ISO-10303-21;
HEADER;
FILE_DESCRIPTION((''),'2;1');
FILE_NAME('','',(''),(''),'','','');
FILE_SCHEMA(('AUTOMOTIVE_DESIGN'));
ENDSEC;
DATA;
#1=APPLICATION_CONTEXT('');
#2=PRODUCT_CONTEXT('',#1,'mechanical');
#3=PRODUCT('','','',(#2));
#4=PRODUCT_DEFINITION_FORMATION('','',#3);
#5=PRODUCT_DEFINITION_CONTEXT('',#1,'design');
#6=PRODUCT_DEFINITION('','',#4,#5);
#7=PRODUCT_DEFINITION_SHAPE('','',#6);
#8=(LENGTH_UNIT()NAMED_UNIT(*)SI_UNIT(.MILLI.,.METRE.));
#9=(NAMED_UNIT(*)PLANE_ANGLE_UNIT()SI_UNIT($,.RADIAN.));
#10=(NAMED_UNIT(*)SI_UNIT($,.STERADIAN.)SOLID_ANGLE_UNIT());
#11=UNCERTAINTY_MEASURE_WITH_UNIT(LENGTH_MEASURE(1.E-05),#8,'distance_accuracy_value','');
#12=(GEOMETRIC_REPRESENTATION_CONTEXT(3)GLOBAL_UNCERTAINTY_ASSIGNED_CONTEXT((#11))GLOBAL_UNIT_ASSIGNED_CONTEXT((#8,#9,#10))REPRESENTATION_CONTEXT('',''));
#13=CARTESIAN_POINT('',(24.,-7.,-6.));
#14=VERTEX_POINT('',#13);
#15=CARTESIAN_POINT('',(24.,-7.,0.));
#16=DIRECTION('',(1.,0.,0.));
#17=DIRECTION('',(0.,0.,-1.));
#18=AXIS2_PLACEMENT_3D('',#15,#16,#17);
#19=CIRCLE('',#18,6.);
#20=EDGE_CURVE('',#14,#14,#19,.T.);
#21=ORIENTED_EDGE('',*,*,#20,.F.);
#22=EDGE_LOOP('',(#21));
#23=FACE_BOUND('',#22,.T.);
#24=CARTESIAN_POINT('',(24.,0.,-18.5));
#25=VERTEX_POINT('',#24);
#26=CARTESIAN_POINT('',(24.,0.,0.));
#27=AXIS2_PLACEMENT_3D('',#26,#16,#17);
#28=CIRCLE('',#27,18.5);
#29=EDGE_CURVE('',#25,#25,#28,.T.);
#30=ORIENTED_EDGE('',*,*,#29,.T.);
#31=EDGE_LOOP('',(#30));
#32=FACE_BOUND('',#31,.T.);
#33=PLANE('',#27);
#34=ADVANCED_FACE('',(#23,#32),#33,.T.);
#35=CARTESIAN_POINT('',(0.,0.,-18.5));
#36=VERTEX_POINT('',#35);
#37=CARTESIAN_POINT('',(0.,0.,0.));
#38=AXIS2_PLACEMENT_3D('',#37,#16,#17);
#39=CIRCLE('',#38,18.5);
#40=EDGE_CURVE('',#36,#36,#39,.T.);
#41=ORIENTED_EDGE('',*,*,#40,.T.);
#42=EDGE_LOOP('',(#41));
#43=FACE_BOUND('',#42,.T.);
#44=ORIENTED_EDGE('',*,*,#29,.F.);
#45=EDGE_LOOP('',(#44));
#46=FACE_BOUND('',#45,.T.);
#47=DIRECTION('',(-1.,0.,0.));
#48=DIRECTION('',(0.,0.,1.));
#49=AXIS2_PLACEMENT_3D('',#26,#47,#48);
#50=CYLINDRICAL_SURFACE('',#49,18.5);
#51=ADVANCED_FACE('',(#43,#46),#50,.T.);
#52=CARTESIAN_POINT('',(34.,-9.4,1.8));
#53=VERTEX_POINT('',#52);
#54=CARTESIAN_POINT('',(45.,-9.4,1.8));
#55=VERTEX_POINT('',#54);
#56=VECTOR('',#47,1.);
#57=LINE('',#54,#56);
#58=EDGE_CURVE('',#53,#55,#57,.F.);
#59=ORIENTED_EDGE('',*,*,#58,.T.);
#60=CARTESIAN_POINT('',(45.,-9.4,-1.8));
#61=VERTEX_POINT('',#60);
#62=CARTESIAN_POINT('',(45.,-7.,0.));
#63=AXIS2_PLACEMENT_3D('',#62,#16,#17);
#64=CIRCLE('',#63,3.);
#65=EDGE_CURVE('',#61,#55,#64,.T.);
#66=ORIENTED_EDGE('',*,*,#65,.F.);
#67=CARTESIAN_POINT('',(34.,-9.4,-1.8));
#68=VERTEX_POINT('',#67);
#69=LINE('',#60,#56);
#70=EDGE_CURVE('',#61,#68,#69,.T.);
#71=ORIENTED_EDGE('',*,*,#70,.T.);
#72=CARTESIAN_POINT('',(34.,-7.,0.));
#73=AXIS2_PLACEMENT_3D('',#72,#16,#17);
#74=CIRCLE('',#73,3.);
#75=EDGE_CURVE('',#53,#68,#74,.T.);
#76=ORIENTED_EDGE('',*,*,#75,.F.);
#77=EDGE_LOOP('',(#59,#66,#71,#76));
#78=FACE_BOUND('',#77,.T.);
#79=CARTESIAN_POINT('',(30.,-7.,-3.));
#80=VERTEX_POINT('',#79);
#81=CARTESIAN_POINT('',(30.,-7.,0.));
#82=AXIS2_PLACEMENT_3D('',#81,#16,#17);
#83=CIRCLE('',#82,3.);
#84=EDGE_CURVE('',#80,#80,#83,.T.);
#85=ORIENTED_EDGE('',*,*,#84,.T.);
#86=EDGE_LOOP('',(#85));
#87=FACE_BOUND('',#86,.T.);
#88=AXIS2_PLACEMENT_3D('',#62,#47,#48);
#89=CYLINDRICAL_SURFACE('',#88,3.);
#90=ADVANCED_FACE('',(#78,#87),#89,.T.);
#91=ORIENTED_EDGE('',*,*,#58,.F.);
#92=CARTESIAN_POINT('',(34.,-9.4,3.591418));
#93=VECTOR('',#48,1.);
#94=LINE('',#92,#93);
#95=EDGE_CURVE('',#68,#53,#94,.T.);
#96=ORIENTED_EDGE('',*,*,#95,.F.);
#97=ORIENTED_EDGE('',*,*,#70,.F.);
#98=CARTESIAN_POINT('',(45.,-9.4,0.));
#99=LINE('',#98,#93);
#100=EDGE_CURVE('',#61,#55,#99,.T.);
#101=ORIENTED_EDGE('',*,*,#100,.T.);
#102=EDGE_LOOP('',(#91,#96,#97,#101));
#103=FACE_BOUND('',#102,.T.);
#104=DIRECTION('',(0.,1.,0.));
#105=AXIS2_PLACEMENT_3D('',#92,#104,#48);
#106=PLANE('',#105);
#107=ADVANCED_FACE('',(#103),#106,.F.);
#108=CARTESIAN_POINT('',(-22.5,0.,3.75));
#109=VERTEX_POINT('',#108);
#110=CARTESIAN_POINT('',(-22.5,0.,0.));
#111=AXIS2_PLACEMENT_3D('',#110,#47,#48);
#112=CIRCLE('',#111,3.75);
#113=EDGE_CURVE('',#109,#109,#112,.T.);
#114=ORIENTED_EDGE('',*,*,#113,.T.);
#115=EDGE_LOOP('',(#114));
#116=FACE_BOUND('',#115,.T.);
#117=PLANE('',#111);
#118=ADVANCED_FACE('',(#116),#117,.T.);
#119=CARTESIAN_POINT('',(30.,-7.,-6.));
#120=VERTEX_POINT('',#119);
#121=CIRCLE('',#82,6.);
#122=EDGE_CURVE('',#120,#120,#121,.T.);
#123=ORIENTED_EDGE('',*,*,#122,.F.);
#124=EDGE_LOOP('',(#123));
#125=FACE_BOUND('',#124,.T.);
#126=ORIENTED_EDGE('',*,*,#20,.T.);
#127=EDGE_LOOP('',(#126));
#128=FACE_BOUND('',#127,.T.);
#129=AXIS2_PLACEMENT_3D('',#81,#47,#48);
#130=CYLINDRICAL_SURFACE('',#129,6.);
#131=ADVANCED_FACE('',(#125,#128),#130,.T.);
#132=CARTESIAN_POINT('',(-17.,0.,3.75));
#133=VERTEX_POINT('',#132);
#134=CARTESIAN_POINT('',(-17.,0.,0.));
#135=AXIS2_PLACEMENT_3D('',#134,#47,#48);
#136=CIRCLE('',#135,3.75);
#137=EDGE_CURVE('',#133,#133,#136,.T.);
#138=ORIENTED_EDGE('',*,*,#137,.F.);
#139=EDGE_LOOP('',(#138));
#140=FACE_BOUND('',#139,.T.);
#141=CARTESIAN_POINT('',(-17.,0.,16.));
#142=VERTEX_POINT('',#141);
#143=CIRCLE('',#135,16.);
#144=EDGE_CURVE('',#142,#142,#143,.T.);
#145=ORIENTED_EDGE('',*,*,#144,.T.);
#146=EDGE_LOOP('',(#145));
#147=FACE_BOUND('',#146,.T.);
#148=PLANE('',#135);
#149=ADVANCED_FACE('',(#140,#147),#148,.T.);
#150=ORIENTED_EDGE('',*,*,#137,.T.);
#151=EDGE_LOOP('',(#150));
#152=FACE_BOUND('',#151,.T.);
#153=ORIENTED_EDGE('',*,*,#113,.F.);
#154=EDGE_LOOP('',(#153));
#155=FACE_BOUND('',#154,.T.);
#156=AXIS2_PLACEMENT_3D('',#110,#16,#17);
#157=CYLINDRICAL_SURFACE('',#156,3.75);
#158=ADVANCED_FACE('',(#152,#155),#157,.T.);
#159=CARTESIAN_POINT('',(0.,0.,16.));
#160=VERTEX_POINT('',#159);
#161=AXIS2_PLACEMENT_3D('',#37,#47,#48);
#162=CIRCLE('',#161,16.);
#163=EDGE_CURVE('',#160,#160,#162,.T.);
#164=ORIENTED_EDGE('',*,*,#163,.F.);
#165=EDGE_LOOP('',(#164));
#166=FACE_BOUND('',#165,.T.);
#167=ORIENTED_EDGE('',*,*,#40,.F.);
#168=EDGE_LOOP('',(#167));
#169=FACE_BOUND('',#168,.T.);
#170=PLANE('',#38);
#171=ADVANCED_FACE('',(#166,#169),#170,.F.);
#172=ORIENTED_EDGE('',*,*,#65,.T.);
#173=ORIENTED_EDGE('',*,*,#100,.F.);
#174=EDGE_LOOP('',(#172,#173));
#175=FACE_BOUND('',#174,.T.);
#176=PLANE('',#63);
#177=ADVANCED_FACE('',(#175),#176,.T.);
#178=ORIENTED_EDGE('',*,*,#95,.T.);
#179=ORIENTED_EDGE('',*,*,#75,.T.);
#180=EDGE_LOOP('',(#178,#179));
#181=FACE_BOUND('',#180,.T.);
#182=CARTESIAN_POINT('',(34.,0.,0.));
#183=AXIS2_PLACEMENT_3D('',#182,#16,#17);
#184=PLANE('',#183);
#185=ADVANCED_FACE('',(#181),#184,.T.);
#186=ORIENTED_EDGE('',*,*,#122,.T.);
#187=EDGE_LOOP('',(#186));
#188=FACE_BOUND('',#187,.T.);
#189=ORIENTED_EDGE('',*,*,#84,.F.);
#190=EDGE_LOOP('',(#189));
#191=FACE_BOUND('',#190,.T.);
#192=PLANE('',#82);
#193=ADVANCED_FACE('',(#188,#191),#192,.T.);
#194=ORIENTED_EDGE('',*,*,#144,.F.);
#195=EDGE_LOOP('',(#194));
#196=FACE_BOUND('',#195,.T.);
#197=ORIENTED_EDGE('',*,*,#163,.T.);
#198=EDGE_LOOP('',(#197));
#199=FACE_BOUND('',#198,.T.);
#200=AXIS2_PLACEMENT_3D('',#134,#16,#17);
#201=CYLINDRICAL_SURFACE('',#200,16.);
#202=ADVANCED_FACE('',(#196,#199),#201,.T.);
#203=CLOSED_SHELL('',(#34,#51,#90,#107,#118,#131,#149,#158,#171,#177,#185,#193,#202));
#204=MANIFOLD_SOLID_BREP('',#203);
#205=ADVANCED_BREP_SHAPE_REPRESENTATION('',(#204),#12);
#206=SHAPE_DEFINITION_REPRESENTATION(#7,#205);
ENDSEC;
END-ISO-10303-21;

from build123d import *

# Parameters (mm, degrees)
SKETCH1_R           = 18.5
BOSS_EXTRUDE1_DEPTH = 24
SKETCH2_R           = 16
BOSS_EXTRUDE2_DEPTH = 17
SKETCH4_R           = 6
BOSS_EXTRUDE3_DEPTH = 6
SKETCH5_R           = 3
BOSS_EXTRUDE4_DEPTH = 15
SKETCH6_W           = 6.457083565
SKETCH6_H           = 2.403469994
CUT_EXTRUDE1_DEPTH  = 11
SKETCH7_R           = 3.75
BOSS_EXTRUDE5_DEPTH = 5.5


with BuildPart() as part:
    # Sketch1 → Boss-Extrude1 (new body)
    with BuildSketch(Plane(origin=(0, 0, 0), x_dir=(0, 0, -1), z_dir=(1, 0, 0))):
        Circle(SKETCH1_R)
    extrude(amount=BOSS_EXTRUDE1_DEPTH)

    # Sketch2 → Boss-Extrude2 (add)
    with BuildSketch(Plane.ZY):
        Circle(SKETCH2_R)
    extrude(amount=BOSS_EXTRUDE2_DEPTH)

    # Sketch4 → Boss-Extrude3 (add)
    with BuildSketch(Plane(origin=(24, 0, 0), x_dir=(0, 0, -1), z_dir=(1, 0, 0))):
        with Locations((0, -7)):
            Circle(SKETCH4_R)
    extrude(amount=BOSS_EXTRUDE3_DEPTH)

    # Sketch5 → Boss-Extrude4 (add)
    with BuildSketch(Plane(origin=(30, 0, 0), x_dir=(0, 0, -1), z_dir=(1, 0, 0))):
        with Locations((0, -7)):
            Circle(SKETCH5_R)
    extrude(amount=BOSS_EXTRUDE4_DEPTH)

    # Sketch6 → Cut-Extrude1 (cut)
    with BuildSketch(Plane(origin=(45, 0, 0), x_dir=(0, 0, -1), z_dir=(1, 0, 0))):
        with Locations((-0.362875994, -10.601734997)):
            Rectangle(SKETCH6_W, SKETCH6_H)
    extrude(amount=-CUT_EXTRUDE1_DEPTH, mode=Mode.SUBTRACT)

    # Sketch7 → Boss-Extrude5 (add)
    with BuildSketch(Plane.ZY.offset(17)):
        Circle(SKETCH7_R)
    extrude(amount=BOSS_EXTRUDE5_DEPTH)


solid = part.part
